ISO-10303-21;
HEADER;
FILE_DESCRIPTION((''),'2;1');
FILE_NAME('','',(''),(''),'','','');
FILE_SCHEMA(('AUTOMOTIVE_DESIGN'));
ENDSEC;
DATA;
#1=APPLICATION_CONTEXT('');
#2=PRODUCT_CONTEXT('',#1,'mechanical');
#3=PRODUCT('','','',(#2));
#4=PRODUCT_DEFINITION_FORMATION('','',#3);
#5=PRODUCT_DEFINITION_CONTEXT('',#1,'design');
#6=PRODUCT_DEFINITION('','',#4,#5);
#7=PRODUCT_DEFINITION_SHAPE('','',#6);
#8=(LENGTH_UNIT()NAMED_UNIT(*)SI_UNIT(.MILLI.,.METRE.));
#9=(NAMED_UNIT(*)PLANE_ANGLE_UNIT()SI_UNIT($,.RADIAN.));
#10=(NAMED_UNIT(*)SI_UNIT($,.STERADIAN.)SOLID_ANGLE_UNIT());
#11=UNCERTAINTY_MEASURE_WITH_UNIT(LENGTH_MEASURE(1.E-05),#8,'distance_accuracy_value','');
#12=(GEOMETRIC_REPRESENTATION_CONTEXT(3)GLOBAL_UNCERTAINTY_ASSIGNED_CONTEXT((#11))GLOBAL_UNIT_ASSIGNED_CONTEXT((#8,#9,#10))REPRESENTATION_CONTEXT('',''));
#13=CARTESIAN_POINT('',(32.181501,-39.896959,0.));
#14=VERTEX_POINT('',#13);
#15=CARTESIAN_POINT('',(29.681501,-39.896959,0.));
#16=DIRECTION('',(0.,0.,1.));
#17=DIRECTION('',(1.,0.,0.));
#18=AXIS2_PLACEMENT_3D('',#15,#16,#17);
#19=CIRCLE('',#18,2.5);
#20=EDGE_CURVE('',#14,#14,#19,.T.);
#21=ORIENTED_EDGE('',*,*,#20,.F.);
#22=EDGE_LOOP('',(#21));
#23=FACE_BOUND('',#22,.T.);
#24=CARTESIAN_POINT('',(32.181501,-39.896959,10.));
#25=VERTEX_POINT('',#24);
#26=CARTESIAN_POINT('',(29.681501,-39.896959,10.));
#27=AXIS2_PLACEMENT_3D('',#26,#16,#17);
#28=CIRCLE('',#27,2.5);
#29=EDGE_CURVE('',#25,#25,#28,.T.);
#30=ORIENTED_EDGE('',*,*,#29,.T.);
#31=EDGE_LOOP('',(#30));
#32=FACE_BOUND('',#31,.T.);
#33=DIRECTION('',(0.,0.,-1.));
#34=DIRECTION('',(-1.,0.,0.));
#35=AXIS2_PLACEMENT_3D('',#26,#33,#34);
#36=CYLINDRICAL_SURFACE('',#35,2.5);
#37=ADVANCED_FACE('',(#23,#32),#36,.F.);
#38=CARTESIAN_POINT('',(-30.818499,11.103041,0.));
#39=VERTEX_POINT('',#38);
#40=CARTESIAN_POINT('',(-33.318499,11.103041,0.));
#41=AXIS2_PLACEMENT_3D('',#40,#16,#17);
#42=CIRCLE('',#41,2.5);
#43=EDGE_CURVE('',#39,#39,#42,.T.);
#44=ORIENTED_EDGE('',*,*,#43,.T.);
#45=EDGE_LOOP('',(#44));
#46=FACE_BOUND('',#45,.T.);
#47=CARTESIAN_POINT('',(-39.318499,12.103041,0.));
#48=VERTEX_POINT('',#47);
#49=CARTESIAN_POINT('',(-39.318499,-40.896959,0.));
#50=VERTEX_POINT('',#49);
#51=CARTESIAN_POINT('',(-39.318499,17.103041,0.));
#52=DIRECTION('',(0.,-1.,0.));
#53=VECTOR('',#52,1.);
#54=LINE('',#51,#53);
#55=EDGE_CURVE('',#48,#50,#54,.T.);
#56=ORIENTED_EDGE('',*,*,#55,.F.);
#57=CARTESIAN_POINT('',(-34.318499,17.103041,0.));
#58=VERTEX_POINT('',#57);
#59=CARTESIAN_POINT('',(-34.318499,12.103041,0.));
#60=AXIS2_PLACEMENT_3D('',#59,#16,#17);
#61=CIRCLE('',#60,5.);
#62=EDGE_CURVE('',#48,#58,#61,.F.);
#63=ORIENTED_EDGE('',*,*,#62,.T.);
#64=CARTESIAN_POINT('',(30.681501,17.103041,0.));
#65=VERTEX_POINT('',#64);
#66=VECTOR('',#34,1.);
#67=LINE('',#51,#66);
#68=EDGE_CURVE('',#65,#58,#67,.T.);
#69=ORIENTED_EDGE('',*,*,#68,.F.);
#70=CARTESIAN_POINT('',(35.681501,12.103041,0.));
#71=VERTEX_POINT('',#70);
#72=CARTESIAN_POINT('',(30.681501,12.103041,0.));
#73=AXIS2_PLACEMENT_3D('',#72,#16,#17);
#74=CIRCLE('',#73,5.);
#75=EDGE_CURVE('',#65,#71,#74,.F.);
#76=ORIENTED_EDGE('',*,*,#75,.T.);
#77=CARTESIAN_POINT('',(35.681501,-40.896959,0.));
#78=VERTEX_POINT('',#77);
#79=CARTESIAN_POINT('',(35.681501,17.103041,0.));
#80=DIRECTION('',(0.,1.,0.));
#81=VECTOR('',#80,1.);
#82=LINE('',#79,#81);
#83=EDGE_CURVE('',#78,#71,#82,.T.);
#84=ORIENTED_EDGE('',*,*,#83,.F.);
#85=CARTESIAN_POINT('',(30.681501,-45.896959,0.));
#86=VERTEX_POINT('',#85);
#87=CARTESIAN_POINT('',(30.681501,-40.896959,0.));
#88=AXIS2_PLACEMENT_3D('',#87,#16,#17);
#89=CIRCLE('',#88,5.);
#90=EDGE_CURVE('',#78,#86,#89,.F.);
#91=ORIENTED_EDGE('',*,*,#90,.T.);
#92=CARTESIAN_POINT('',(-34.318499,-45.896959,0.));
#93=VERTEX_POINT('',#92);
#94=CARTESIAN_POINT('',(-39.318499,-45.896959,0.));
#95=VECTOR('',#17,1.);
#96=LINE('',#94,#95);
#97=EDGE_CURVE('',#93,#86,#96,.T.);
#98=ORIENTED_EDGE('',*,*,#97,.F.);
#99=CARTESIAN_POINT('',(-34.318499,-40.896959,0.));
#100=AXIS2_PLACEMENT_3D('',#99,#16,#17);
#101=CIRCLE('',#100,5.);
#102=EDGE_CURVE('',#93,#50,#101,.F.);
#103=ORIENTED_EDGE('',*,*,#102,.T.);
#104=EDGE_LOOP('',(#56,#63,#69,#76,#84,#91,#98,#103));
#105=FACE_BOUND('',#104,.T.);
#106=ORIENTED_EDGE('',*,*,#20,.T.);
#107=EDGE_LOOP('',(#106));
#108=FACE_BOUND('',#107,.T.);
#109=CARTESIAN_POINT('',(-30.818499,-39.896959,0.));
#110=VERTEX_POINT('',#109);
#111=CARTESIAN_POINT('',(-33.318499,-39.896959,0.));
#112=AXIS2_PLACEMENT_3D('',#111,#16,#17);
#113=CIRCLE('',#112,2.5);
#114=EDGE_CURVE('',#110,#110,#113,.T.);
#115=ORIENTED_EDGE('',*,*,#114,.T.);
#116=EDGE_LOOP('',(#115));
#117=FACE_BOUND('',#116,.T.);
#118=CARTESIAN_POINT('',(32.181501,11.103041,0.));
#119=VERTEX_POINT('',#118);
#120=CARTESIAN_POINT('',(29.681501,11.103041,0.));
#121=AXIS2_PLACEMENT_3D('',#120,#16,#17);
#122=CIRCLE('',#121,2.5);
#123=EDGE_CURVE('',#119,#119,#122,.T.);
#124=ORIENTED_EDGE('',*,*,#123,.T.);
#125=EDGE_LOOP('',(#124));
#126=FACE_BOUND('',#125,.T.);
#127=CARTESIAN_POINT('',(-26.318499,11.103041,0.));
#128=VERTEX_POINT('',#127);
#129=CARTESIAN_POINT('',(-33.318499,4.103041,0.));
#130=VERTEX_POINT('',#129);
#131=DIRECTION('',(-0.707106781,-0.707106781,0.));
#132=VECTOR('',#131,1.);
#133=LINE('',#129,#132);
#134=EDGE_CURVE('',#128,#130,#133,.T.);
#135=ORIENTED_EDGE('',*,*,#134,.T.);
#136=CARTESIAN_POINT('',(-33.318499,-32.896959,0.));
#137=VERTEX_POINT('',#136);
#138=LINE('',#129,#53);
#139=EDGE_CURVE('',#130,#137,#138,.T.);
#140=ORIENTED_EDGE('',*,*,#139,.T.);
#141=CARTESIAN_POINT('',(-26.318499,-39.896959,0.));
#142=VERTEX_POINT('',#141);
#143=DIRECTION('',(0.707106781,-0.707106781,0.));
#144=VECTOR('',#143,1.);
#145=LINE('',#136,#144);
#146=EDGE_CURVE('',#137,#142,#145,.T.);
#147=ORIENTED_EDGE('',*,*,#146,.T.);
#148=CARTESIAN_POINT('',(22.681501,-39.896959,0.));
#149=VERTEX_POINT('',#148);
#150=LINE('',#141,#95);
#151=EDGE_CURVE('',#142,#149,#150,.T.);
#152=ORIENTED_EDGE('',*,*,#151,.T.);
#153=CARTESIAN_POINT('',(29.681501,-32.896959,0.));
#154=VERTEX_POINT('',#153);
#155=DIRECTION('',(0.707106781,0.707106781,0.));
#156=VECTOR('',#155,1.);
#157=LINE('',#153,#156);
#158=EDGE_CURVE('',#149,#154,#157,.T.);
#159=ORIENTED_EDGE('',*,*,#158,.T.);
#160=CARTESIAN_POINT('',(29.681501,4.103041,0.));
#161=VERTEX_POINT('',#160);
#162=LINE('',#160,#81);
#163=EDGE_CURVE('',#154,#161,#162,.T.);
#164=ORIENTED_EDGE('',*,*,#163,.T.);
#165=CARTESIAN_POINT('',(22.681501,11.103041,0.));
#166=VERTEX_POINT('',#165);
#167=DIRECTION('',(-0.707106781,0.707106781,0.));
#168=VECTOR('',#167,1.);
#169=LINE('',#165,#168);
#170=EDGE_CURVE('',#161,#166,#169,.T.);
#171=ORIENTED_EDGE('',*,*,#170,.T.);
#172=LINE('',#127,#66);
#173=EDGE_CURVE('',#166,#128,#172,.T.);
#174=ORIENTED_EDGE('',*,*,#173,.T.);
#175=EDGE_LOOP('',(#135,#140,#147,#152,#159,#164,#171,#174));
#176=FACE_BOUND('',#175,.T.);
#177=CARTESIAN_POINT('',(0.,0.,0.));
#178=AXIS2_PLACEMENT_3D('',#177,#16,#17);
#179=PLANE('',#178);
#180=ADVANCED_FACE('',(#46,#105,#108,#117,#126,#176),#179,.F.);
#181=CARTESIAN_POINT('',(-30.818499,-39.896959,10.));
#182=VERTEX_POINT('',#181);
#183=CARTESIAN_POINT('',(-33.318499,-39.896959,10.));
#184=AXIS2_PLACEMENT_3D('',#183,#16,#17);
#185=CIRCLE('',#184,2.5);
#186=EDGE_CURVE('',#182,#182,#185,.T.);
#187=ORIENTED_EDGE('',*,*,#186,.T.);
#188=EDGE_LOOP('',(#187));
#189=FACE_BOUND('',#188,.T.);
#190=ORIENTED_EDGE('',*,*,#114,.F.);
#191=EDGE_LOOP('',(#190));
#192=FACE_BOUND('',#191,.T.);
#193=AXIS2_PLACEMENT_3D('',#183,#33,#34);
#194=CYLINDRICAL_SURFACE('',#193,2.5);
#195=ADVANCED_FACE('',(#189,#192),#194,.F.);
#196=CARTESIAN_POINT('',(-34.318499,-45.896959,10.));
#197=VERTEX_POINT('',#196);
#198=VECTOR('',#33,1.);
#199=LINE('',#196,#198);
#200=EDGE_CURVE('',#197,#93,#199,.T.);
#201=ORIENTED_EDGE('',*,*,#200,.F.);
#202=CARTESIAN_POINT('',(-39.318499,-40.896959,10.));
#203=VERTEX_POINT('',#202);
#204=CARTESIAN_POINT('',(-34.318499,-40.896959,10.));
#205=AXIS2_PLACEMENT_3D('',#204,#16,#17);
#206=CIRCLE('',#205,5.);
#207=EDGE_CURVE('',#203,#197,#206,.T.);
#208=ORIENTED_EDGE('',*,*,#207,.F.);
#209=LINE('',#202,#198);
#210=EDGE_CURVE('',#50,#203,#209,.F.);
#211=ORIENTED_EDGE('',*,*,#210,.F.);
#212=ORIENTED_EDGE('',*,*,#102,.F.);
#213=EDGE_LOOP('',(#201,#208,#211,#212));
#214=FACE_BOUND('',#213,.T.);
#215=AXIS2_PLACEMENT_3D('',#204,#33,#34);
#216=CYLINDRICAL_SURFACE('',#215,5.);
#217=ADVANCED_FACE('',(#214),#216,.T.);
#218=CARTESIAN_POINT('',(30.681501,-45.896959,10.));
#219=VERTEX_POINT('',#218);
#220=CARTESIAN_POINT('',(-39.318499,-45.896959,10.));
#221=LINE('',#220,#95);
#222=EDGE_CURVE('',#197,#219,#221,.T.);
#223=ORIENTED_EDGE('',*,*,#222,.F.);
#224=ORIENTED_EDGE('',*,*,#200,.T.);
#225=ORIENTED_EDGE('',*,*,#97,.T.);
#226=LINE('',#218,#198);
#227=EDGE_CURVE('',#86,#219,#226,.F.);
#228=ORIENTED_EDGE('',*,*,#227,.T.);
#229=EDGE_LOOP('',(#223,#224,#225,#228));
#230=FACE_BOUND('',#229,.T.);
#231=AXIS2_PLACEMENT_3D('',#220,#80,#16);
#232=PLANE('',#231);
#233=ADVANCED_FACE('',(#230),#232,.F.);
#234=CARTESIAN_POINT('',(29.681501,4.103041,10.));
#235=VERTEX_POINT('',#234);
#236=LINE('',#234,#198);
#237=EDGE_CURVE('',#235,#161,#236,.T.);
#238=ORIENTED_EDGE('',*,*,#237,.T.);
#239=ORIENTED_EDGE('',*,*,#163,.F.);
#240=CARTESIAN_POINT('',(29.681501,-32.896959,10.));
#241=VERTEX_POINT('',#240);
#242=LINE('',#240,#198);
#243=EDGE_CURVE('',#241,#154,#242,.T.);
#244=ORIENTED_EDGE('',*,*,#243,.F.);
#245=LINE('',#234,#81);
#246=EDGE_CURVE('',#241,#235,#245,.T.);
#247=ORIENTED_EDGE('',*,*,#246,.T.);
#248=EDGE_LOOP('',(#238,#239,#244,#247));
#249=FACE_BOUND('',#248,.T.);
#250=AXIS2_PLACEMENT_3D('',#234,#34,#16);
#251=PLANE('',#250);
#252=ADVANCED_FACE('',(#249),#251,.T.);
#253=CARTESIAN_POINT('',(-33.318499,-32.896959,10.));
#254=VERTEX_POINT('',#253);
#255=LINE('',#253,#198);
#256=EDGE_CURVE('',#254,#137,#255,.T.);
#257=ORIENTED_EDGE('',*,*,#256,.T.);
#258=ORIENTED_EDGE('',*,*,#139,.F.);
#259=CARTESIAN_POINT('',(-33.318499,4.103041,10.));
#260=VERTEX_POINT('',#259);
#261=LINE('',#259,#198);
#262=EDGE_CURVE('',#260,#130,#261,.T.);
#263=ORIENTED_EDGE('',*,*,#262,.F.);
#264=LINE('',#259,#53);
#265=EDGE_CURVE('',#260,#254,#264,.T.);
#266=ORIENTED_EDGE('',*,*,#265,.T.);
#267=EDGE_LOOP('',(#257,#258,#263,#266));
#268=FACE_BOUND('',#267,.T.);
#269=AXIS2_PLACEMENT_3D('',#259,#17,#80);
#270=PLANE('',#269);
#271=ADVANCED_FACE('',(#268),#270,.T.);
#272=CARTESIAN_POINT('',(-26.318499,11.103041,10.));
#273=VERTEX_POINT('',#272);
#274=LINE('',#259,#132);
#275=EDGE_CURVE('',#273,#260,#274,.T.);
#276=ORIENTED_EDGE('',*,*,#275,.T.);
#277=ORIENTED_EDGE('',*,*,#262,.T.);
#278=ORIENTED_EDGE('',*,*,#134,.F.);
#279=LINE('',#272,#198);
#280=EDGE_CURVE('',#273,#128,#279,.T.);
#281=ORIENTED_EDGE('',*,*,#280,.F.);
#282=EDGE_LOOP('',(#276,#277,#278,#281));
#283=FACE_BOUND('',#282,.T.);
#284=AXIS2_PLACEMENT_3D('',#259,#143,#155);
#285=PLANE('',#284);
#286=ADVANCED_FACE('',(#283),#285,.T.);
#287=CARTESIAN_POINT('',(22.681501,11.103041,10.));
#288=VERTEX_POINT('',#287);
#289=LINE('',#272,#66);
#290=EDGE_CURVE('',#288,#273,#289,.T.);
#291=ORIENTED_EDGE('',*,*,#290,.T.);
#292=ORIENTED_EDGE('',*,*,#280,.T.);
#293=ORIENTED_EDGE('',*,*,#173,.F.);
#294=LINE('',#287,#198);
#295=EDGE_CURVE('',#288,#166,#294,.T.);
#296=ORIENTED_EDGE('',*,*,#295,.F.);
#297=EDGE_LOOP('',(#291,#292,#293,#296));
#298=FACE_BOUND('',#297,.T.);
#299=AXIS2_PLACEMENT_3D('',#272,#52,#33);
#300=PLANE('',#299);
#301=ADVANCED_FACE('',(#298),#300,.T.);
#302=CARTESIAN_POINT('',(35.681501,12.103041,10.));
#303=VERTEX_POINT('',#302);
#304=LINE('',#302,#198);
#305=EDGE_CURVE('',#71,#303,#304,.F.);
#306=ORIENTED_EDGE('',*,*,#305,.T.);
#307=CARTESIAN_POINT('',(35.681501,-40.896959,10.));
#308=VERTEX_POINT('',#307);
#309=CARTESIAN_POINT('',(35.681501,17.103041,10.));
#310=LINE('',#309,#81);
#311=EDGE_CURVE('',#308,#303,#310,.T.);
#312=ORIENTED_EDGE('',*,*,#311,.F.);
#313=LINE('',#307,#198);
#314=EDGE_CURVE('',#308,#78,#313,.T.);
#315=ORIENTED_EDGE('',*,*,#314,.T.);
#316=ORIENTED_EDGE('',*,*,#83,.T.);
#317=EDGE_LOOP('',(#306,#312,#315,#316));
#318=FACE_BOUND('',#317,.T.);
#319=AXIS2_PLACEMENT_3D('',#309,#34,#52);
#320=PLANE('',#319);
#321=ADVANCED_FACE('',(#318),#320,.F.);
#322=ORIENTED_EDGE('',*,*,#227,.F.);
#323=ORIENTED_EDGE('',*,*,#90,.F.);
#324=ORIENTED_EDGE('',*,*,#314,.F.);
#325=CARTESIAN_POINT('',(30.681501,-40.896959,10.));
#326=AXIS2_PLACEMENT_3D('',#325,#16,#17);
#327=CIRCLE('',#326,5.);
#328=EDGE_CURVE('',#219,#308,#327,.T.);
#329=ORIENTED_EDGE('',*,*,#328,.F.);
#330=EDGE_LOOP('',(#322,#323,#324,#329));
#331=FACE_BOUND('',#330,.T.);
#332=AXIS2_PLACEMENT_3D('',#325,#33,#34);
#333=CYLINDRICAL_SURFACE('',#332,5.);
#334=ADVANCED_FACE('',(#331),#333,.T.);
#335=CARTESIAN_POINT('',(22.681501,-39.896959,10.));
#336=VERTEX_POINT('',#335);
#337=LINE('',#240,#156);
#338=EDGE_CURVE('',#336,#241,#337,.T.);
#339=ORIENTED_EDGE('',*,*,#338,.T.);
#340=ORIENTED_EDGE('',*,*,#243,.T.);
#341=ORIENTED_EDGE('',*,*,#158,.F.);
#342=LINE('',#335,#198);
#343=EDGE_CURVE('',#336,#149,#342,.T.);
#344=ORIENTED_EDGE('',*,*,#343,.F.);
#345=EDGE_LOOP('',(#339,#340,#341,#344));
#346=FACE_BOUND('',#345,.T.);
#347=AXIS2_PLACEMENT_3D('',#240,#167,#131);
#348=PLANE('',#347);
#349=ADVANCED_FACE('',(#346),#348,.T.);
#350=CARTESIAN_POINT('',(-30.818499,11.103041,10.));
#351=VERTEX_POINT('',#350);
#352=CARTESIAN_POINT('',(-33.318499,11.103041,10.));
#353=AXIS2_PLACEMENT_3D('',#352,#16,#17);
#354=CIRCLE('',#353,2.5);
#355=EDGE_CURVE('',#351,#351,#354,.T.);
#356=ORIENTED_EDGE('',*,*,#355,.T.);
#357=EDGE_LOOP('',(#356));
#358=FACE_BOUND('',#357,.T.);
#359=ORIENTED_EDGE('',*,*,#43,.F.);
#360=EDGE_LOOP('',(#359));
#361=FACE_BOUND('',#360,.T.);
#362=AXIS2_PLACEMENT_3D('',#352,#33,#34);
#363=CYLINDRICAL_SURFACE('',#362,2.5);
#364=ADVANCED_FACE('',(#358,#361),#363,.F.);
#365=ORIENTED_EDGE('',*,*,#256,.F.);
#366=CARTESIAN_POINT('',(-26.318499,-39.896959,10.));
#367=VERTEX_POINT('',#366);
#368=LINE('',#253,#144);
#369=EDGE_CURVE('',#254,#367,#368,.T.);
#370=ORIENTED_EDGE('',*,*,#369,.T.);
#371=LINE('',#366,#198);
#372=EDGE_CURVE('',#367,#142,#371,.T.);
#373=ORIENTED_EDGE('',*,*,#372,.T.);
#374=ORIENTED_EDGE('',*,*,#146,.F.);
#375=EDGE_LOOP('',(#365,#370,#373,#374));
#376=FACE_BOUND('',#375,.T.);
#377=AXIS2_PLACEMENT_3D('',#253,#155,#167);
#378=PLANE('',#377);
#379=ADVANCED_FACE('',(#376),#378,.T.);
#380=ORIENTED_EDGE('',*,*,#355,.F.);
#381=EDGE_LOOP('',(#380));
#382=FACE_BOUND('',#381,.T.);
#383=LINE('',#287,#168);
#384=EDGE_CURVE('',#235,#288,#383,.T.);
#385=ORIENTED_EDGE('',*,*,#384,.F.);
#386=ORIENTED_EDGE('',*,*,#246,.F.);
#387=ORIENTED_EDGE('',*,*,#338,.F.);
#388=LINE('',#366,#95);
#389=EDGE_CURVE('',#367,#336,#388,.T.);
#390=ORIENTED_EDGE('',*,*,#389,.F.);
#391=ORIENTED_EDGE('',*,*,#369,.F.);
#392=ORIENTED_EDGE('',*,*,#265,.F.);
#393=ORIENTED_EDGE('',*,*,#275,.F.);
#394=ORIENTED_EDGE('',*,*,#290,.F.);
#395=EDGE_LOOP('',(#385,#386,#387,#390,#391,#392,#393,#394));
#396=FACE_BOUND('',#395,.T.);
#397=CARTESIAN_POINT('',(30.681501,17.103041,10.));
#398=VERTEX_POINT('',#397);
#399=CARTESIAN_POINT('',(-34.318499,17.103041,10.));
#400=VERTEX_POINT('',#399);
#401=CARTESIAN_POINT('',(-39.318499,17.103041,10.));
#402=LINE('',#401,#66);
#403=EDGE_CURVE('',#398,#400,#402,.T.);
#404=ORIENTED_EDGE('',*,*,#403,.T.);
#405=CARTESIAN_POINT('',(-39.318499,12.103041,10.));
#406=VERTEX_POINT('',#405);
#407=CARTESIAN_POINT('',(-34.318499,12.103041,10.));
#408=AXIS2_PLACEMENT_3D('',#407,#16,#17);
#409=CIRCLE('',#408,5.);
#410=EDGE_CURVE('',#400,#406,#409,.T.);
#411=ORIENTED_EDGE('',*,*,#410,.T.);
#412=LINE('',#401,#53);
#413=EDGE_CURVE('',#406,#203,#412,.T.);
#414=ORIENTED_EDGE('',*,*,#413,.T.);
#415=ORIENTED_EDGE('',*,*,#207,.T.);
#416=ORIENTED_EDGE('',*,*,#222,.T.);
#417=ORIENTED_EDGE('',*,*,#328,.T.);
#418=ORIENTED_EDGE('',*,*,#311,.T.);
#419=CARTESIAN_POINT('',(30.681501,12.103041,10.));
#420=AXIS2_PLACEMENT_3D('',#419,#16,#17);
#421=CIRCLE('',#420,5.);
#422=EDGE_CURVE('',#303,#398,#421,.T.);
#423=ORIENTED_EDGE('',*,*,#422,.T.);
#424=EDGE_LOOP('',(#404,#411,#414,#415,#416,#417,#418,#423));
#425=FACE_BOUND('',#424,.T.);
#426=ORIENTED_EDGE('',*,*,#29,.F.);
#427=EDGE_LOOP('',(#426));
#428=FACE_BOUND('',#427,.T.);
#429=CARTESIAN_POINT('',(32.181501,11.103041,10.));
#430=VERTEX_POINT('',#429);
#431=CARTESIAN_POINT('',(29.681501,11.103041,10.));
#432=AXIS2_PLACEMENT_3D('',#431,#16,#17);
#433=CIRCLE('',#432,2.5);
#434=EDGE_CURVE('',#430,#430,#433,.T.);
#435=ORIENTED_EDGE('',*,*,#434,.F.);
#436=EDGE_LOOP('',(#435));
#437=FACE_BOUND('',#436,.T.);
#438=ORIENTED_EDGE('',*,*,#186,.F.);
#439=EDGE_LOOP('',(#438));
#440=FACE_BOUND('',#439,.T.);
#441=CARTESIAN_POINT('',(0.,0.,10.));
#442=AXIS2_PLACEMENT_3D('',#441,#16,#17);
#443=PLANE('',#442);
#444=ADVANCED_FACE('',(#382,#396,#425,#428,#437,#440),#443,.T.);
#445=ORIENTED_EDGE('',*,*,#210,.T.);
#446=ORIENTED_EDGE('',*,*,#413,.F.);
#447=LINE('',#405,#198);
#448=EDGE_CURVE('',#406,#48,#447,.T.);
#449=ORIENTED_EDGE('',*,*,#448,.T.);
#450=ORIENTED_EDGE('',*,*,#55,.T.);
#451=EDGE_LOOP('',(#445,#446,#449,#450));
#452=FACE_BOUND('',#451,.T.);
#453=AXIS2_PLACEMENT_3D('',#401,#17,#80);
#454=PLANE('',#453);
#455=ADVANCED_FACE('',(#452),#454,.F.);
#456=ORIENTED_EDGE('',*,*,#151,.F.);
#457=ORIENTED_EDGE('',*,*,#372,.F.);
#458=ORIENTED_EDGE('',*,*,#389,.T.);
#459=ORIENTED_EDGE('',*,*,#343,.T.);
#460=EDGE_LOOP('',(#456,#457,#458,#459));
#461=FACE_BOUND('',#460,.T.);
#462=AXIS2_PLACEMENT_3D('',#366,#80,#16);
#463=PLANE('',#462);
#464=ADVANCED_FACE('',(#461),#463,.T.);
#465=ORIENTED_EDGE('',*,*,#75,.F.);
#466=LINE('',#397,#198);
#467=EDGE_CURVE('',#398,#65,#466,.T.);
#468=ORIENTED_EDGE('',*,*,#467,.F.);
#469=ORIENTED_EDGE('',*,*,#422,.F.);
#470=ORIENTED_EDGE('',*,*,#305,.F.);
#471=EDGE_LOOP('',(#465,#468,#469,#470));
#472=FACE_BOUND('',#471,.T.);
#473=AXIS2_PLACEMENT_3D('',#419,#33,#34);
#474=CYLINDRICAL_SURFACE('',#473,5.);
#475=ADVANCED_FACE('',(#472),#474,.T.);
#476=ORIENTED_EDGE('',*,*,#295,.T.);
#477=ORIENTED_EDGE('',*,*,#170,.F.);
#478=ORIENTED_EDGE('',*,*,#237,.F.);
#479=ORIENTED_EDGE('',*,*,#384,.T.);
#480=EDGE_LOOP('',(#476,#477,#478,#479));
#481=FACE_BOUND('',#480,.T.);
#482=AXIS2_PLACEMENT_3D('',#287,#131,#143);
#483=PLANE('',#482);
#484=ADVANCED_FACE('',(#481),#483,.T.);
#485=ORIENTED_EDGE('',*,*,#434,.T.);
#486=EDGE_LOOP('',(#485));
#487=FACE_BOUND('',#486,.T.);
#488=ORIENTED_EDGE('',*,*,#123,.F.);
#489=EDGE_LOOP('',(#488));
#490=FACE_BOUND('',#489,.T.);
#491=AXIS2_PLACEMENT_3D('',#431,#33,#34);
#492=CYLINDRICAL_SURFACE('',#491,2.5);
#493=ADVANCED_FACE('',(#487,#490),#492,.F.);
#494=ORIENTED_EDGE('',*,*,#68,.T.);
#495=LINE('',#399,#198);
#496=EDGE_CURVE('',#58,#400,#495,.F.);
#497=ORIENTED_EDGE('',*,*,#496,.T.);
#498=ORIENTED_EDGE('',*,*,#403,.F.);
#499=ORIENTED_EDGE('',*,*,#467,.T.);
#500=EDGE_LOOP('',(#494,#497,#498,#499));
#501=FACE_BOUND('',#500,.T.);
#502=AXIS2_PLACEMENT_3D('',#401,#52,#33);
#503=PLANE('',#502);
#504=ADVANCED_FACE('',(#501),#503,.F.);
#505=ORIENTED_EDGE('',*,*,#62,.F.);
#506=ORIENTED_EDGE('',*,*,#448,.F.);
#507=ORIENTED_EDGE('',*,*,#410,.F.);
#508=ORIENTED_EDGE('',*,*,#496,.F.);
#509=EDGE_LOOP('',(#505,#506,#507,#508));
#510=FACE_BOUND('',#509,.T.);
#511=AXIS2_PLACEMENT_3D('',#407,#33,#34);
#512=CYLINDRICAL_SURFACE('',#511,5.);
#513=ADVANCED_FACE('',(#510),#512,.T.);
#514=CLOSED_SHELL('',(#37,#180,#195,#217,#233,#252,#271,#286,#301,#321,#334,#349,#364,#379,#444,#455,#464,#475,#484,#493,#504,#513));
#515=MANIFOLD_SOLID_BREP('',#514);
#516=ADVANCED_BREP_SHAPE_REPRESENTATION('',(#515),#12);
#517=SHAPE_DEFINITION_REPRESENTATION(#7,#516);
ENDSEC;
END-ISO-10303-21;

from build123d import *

# Parameters (mm, degrees)
SKETCH1_W           = 75
SKETCH1_H           = 63
SKETCH1_R           = 2.5
BOSS_EXTRUDE1_DEPTH = 10
FILLET1_R           = 5


with BuildPart() as part:
    # Sketch1 → Boss-Extrude1 (new body)
    with BuildSketch(Plane.XY):
        with Locations((-1.818499155, -14.396959459)):
            Rectangle(SKETCH1_W, SKETCH1_H)
        with Locations((-33.318499155, 11.103040541)):
            Circle(SKETCH1_R, mode=Mode.SUBTRACT)
        with Locations((29.681500845, 11.103040541)):
            Circle(SKETCH1_R, mode=Mode.SUBTRACT)
        with Locations((29.681500845, -39.896959459)):
            Circle(SKETCH1_R, mode=Mode.SUBTRACT)
        with Locations((-33.318499155, -39.896959459)):
            Circle(SKETCH1_R, mode=Mode.SUBTRACT)
        Polygon((-33.318499155, 4.103040541), (-26.318499155, 11.103040541), (22.681500845, 11.103040541), (29.681500845, 4.103040541), (29.681500845, -32.896959459), (22.681500845, -39.896959459), (-26.318499155, -39.896959459), (-33.318499155, -32.896959459), align=None, mode=Mode.SUBTRACT)
    extrude(amount=BOSS_EXTRUDE1_DEPTH)

    # Fillet1
    fillet1_edges = [part.edges().sort_by_distance(p)[0] for p in [
        (-39.318499155, 17.103040541, 5),
        (35.681500845, 17.103040541, 5),
        (35.681500845, -45.896959459, 5),
        (-39.318499155, -45.896959459, 5),
    ]]
    fillet(fillet1_edges, radius=FILLET1_R)


solid = part.part
